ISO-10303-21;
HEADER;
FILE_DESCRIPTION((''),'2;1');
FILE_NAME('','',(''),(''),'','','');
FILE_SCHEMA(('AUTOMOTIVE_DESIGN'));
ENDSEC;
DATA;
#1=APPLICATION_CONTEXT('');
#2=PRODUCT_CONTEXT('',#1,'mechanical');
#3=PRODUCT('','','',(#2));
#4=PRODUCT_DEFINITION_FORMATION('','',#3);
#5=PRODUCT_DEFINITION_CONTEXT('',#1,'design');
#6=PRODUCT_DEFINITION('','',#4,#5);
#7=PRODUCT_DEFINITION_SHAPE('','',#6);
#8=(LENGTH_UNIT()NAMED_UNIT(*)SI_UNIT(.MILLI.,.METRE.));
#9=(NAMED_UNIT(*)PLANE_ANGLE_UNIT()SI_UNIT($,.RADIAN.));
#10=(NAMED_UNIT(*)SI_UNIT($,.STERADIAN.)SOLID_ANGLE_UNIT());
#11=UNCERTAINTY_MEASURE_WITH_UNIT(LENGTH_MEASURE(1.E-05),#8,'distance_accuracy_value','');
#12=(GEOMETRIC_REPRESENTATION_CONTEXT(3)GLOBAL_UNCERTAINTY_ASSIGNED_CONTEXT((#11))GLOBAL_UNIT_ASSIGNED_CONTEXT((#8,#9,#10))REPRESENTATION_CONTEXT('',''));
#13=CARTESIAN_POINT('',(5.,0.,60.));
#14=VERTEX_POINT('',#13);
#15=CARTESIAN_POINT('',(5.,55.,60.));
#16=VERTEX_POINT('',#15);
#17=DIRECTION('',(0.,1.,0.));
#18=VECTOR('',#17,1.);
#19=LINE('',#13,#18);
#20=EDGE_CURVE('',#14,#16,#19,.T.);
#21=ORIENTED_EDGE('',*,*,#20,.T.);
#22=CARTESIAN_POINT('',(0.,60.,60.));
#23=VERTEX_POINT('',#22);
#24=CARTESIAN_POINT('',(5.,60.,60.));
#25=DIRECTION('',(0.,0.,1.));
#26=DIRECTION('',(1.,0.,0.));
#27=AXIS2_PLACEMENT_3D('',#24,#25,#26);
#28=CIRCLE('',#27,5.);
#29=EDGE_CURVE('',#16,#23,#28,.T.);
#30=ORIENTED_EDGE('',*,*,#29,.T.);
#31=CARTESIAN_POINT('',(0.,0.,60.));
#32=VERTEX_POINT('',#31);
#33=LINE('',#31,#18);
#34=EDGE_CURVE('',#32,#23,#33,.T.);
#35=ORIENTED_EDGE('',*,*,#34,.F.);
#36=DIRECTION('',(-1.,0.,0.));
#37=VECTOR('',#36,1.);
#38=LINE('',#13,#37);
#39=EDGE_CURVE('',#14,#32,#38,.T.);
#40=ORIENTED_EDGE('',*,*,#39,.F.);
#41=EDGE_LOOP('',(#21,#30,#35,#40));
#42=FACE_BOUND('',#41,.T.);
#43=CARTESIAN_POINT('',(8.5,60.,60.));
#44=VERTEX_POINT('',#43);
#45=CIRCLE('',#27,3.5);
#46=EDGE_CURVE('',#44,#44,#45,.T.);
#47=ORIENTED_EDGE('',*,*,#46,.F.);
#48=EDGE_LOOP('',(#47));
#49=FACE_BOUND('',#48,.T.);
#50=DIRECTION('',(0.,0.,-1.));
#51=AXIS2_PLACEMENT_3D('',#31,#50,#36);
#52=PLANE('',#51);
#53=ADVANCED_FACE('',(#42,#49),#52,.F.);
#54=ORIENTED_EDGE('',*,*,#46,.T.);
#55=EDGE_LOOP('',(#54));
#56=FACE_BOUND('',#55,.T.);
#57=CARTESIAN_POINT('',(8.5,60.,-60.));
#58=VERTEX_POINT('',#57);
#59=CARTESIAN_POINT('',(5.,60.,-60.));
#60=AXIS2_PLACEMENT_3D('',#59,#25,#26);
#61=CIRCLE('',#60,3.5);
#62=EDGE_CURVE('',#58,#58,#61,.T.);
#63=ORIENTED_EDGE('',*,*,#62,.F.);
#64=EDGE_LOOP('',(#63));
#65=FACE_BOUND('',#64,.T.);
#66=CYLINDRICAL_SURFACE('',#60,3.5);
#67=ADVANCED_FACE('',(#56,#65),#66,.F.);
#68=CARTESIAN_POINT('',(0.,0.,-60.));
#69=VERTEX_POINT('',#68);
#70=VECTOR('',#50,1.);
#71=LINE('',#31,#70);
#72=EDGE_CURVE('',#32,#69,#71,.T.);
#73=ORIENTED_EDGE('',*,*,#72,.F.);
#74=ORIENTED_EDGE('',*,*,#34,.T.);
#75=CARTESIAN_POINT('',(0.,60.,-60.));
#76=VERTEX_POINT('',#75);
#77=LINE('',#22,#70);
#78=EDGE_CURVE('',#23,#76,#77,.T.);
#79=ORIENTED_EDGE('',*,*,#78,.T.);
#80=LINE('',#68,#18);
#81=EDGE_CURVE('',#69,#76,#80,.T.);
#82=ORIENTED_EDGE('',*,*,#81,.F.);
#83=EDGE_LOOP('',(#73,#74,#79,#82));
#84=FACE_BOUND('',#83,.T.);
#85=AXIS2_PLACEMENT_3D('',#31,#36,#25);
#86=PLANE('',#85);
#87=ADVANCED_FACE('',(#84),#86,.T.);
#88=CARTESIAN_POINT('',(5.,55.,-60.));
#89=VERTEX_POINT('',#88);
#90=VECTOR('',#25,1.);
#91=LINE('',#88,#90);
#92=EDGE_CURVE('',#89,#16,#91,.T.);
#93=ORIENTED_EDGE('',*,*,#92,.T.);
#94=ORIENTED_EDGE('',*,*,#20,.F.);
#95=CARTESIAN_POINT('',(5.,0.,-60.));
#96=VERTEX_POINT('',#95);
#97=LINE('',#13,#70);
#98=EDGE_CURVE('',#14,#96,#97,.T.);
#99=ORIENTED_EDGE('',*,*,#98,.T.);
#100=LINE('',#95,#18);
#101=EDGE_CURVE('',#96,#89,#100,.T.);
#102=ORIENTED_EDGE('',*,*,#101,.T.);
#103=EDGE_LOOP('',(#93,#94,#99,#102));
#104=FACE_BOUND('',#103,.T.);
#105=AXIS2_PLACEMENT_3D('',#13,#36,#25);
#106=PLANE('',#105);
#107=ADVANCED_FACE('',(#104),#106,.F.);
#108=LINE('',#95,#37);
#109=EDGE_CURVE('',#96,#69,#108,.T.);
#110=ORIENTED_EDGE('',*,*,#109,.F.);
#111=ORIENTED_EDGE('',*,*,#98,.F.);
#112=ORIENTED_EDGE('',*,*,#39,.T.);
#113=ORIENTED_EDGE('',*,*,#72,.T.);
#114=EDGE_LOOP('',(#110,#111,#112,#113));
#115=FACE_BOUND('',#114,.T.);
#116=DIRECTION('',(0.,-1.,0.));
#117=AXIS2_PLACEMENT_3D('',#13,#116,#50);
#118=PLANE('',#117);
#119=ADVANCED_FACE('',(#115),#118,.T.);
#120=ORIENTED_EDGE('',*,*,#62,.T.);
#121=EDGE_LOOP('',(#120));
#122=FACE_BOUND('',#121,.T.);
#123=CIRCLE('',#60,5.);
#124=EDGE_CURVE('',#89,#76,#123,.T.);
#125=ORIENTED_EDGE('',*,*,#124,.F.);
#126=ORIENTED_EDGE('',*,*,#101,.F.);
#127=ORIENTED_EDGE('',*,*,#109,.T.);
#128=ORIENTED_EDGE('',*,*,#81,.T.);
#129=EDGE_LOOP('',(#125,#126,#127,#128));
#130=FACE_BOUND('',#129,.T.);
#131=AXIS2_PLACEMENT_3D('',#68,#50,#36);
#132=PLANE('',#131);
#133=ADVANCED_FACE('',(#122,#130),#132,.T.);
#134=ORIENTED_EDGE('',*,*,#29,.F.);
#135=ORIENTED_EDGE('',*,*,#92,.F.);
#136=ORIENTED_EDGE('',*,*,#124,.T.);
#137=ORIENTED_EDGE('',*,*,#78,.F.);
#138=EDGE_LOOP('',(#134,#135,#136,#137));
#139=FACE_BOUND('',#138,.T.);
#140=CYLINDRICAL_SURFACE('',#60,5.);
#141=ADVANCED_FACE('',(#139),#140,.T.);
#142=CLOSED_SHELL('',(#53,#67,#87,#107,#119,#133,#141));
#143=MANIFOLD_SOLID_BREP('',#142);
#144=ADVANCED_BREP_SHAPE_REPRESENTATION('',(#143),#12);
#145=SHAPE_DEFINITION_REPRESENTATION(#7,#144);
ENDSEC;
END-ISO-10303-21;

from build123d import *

# Parameters (mm, degrees)
SKETCH_1_W          = 5
SKETCH_1_H          = 60
EXTRUDE_1_DEPTH     = 60
SKETCH_2_R          = 5
SKETCH_3_R          = 3.5
CUT_EXTRUDE_4_DEPTH = 137.839321834


with BuildPart() as part:
    # Эскиз1 → Вытянуть-Тонкостенный1 (new, symmetric)
    with BuildSketch(Plane.XY):
        with Locations((2.5, 30)):
            Rectangle(SKETCH_1_W, SKETCH_1_H)
    extrude(amount=EXTRUDE_1_DEPTH, both=True)

    # По траектории1: sweep along a curve in space
    with BuildLine() as sweep_1_path:
        Line((5, 60, 60), (5, 60, -60))
    # Эскиз2 → По траектории1 (sweep)
    with BuildSketch(Plane.XY.offset(60)):
        with Locations((5, 60)):
            Circle(SKETCH_2_R)
    sweep(path=sweep_1_path.line)

    # Эскиз3 → Вырез-Вытянуть4 (cut, through all)
    with BuildSketch(Plane.XY.offset(60)):
        with Locations((5, 60)):
            Circle(SKETCH_3_R)
    extrude(amount=-CUT_EXTRUDE_4_DEPTH, mode=Mode.SUBTRACT)


solid = part.part
